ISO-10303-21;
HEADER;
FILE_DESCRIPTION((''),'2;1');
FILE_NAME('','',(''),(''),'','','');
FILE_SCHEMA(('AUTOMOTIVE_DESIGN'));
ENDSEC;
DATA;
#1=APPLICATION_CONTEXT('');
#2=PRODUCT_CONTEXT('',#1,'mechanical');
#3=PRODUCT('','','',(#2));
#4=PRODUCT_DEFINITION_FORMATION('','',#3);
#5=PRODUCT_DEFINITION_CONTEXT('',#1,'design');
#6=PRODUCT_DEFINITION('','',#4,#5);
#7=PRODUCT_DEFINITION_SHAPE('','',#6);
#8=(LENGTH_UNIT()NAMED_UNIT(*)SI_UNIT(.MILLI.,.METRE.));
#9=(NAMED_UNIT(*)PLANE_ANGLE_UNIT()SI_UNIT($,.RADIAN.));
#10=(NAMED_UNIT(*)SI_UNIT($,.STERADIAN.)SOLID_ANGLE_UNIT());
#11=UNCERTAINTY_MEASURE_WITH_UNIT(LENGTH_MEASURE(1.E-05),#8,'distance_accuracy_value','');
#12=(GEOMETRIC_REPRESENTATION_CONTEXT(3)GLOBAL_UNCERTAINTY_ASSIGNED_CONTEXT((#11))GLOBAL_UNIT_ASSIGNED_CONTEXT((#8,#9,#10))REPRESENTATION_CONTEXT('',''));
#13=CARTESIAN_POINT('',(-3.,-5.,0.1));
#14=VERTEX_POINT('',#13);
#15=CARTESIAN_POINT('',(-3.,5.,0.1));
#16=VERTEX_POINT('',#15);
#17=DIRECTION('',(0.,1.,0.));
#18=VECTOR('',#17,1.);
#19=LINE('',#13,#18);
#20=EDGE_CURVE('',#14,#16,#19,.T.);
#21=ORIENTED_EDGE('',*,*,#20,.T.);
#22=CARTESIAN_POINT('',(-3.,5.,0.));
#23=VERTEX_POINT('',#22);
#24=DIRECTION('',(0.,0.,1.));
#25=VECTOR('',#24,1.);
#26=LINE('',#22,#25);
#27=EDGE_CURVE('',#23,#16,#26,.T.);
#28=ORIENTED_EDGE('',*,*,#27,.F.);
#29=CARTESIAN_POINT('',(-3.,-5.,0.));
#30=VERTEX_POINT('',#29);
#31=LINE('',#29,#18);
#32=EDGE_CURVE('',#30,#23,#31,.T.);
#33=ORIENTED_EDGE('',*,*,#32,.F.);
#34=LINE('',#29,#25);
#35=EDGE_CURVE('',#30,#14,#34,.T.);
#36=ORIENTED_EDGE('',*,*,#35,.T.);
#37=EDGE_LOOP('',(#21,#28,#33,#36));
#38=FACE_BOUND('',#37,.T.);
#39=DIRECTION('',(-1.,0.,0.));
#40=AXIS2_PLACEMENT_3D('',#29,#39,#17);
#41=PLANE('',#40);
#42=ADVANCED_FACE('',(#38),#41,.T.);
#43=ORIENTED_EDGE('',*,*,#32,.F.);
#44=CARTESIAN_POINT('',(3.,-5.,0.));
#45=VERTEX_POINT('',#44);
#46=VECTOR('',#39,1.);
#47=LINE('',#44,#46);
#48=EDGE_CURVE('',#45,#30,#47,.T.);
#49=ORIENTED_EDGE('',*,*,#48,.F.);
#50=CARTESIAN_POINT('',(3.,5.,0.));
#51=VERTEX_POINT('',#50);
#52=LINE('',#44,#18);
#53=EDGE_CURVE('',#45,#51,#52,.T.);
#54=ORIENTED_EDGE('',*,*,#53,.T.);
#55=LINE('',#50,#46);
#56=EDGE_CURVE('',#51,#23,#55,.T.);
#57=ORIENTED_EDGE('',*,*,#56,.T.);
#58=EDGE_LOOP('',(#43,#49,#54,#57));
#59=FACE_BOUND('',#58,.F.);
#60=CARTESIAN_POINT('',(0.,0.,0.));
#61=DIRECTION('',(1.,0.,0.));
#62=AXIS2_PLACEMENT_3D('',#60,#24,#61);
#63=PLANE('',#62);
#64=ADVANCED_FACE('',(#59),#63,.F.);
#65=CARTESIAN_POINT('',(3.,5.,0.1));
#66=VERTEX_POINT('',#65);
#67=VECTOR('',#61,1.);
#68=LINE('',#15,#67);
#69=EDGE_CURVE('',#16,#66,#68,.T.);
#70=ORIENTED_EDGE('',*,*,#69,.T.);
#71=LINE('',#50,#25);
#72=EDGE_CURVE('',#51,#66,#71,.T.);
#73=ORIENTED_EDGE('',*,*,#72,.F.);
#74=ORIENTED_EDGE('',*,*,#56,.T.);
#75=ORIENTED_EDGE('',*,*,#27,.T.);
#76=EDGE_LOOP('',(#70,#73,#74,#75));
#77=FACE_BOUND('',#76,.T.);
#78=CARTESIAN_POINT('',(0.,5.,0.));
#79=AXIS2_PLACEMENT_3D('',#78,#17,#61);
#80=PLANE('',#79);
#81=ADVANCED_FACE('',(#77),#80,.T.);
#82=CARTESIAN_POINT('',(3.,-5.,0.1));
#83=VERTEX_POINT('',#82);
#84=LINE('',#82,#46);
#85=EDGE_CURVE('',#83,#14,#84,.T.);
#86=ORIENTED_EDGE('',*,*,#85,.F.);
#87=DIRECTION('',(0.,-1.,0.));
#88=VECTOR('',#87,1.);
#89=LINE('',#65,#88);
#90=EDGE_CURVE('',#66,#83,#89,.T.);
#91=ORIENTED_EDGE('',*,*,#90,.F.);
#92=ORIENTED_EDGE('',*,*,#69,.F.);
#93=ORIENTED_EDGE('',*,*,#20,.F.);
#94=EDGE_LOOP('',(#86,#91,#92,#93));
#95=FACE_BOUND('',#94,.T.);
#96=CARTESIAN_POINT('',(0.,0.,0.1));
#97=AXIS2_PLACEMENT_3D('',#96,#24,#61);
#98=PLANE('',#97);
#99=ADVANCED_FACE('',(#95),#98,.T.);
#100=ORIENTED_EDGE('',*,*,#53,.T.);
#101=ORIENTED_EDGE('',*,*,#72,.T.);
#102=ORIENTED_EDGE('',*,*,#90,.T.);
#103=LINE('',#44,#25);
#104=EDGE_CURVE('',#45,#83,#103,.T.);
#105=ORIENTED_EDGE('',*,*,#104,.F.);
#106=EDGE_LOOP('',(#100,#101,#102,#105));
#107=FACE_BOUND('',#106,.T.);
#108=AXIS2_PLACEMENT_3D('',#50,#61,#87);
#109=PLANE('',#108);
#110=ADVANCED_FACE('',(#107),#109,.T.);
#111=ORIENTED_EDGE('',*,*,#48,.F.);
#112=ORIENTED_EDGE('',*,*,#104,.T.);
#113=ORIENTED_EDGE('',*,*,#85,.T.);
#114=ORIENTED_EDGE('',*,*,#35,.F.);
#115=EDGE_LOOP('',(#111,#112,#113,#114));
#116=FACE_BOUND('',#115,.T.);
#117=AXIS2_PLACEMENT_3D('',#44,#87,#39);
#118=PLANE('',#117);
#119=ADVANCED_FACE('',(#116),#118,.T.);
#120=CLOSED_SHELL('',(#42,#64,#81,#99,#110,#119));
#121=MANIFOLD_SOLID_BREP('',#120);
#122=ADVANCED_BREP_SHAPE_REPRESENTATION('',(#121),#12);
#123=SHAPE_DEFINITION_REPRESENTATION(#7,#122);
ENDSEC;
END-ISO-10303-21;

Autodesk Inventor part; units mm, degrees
ref_plane "YZ Plane" through (0, 0, 0) normal (1, 0, 0) x (0, 1, 0)
ref_plane "XZ Plane" through (0, 0, 0) normal (0, 1, 0) x (-1, 0, 0)
ref_plane "XY Plane" through (0, 0, 0) normal (0, 0, 1) x (1, 0, 0)
sketch "Sketch1" plane through (0, 0, 0) normal (0, 0, 1) x (1, 0, 0)
  line L0 (0, 10.1631) -> (0, 0)
  line L1 (0, 0) -> (10.031, 0)
  line L2 (-3, 5) -> (3, 5)
  line L3 (3, 5) -> (3, -5)
  line L4 (3, -5) -> (-3, -5)
  line L5 (-3, -5) -> (-3, 5)
  dimension "d0" = 10
  dimension "d1" = 6
extrude "Extrusion1" add sketch "Sketch1" along normal blind 0.1
properties part number "kapton_battery_tab" material "Acetal Resin, Black"
